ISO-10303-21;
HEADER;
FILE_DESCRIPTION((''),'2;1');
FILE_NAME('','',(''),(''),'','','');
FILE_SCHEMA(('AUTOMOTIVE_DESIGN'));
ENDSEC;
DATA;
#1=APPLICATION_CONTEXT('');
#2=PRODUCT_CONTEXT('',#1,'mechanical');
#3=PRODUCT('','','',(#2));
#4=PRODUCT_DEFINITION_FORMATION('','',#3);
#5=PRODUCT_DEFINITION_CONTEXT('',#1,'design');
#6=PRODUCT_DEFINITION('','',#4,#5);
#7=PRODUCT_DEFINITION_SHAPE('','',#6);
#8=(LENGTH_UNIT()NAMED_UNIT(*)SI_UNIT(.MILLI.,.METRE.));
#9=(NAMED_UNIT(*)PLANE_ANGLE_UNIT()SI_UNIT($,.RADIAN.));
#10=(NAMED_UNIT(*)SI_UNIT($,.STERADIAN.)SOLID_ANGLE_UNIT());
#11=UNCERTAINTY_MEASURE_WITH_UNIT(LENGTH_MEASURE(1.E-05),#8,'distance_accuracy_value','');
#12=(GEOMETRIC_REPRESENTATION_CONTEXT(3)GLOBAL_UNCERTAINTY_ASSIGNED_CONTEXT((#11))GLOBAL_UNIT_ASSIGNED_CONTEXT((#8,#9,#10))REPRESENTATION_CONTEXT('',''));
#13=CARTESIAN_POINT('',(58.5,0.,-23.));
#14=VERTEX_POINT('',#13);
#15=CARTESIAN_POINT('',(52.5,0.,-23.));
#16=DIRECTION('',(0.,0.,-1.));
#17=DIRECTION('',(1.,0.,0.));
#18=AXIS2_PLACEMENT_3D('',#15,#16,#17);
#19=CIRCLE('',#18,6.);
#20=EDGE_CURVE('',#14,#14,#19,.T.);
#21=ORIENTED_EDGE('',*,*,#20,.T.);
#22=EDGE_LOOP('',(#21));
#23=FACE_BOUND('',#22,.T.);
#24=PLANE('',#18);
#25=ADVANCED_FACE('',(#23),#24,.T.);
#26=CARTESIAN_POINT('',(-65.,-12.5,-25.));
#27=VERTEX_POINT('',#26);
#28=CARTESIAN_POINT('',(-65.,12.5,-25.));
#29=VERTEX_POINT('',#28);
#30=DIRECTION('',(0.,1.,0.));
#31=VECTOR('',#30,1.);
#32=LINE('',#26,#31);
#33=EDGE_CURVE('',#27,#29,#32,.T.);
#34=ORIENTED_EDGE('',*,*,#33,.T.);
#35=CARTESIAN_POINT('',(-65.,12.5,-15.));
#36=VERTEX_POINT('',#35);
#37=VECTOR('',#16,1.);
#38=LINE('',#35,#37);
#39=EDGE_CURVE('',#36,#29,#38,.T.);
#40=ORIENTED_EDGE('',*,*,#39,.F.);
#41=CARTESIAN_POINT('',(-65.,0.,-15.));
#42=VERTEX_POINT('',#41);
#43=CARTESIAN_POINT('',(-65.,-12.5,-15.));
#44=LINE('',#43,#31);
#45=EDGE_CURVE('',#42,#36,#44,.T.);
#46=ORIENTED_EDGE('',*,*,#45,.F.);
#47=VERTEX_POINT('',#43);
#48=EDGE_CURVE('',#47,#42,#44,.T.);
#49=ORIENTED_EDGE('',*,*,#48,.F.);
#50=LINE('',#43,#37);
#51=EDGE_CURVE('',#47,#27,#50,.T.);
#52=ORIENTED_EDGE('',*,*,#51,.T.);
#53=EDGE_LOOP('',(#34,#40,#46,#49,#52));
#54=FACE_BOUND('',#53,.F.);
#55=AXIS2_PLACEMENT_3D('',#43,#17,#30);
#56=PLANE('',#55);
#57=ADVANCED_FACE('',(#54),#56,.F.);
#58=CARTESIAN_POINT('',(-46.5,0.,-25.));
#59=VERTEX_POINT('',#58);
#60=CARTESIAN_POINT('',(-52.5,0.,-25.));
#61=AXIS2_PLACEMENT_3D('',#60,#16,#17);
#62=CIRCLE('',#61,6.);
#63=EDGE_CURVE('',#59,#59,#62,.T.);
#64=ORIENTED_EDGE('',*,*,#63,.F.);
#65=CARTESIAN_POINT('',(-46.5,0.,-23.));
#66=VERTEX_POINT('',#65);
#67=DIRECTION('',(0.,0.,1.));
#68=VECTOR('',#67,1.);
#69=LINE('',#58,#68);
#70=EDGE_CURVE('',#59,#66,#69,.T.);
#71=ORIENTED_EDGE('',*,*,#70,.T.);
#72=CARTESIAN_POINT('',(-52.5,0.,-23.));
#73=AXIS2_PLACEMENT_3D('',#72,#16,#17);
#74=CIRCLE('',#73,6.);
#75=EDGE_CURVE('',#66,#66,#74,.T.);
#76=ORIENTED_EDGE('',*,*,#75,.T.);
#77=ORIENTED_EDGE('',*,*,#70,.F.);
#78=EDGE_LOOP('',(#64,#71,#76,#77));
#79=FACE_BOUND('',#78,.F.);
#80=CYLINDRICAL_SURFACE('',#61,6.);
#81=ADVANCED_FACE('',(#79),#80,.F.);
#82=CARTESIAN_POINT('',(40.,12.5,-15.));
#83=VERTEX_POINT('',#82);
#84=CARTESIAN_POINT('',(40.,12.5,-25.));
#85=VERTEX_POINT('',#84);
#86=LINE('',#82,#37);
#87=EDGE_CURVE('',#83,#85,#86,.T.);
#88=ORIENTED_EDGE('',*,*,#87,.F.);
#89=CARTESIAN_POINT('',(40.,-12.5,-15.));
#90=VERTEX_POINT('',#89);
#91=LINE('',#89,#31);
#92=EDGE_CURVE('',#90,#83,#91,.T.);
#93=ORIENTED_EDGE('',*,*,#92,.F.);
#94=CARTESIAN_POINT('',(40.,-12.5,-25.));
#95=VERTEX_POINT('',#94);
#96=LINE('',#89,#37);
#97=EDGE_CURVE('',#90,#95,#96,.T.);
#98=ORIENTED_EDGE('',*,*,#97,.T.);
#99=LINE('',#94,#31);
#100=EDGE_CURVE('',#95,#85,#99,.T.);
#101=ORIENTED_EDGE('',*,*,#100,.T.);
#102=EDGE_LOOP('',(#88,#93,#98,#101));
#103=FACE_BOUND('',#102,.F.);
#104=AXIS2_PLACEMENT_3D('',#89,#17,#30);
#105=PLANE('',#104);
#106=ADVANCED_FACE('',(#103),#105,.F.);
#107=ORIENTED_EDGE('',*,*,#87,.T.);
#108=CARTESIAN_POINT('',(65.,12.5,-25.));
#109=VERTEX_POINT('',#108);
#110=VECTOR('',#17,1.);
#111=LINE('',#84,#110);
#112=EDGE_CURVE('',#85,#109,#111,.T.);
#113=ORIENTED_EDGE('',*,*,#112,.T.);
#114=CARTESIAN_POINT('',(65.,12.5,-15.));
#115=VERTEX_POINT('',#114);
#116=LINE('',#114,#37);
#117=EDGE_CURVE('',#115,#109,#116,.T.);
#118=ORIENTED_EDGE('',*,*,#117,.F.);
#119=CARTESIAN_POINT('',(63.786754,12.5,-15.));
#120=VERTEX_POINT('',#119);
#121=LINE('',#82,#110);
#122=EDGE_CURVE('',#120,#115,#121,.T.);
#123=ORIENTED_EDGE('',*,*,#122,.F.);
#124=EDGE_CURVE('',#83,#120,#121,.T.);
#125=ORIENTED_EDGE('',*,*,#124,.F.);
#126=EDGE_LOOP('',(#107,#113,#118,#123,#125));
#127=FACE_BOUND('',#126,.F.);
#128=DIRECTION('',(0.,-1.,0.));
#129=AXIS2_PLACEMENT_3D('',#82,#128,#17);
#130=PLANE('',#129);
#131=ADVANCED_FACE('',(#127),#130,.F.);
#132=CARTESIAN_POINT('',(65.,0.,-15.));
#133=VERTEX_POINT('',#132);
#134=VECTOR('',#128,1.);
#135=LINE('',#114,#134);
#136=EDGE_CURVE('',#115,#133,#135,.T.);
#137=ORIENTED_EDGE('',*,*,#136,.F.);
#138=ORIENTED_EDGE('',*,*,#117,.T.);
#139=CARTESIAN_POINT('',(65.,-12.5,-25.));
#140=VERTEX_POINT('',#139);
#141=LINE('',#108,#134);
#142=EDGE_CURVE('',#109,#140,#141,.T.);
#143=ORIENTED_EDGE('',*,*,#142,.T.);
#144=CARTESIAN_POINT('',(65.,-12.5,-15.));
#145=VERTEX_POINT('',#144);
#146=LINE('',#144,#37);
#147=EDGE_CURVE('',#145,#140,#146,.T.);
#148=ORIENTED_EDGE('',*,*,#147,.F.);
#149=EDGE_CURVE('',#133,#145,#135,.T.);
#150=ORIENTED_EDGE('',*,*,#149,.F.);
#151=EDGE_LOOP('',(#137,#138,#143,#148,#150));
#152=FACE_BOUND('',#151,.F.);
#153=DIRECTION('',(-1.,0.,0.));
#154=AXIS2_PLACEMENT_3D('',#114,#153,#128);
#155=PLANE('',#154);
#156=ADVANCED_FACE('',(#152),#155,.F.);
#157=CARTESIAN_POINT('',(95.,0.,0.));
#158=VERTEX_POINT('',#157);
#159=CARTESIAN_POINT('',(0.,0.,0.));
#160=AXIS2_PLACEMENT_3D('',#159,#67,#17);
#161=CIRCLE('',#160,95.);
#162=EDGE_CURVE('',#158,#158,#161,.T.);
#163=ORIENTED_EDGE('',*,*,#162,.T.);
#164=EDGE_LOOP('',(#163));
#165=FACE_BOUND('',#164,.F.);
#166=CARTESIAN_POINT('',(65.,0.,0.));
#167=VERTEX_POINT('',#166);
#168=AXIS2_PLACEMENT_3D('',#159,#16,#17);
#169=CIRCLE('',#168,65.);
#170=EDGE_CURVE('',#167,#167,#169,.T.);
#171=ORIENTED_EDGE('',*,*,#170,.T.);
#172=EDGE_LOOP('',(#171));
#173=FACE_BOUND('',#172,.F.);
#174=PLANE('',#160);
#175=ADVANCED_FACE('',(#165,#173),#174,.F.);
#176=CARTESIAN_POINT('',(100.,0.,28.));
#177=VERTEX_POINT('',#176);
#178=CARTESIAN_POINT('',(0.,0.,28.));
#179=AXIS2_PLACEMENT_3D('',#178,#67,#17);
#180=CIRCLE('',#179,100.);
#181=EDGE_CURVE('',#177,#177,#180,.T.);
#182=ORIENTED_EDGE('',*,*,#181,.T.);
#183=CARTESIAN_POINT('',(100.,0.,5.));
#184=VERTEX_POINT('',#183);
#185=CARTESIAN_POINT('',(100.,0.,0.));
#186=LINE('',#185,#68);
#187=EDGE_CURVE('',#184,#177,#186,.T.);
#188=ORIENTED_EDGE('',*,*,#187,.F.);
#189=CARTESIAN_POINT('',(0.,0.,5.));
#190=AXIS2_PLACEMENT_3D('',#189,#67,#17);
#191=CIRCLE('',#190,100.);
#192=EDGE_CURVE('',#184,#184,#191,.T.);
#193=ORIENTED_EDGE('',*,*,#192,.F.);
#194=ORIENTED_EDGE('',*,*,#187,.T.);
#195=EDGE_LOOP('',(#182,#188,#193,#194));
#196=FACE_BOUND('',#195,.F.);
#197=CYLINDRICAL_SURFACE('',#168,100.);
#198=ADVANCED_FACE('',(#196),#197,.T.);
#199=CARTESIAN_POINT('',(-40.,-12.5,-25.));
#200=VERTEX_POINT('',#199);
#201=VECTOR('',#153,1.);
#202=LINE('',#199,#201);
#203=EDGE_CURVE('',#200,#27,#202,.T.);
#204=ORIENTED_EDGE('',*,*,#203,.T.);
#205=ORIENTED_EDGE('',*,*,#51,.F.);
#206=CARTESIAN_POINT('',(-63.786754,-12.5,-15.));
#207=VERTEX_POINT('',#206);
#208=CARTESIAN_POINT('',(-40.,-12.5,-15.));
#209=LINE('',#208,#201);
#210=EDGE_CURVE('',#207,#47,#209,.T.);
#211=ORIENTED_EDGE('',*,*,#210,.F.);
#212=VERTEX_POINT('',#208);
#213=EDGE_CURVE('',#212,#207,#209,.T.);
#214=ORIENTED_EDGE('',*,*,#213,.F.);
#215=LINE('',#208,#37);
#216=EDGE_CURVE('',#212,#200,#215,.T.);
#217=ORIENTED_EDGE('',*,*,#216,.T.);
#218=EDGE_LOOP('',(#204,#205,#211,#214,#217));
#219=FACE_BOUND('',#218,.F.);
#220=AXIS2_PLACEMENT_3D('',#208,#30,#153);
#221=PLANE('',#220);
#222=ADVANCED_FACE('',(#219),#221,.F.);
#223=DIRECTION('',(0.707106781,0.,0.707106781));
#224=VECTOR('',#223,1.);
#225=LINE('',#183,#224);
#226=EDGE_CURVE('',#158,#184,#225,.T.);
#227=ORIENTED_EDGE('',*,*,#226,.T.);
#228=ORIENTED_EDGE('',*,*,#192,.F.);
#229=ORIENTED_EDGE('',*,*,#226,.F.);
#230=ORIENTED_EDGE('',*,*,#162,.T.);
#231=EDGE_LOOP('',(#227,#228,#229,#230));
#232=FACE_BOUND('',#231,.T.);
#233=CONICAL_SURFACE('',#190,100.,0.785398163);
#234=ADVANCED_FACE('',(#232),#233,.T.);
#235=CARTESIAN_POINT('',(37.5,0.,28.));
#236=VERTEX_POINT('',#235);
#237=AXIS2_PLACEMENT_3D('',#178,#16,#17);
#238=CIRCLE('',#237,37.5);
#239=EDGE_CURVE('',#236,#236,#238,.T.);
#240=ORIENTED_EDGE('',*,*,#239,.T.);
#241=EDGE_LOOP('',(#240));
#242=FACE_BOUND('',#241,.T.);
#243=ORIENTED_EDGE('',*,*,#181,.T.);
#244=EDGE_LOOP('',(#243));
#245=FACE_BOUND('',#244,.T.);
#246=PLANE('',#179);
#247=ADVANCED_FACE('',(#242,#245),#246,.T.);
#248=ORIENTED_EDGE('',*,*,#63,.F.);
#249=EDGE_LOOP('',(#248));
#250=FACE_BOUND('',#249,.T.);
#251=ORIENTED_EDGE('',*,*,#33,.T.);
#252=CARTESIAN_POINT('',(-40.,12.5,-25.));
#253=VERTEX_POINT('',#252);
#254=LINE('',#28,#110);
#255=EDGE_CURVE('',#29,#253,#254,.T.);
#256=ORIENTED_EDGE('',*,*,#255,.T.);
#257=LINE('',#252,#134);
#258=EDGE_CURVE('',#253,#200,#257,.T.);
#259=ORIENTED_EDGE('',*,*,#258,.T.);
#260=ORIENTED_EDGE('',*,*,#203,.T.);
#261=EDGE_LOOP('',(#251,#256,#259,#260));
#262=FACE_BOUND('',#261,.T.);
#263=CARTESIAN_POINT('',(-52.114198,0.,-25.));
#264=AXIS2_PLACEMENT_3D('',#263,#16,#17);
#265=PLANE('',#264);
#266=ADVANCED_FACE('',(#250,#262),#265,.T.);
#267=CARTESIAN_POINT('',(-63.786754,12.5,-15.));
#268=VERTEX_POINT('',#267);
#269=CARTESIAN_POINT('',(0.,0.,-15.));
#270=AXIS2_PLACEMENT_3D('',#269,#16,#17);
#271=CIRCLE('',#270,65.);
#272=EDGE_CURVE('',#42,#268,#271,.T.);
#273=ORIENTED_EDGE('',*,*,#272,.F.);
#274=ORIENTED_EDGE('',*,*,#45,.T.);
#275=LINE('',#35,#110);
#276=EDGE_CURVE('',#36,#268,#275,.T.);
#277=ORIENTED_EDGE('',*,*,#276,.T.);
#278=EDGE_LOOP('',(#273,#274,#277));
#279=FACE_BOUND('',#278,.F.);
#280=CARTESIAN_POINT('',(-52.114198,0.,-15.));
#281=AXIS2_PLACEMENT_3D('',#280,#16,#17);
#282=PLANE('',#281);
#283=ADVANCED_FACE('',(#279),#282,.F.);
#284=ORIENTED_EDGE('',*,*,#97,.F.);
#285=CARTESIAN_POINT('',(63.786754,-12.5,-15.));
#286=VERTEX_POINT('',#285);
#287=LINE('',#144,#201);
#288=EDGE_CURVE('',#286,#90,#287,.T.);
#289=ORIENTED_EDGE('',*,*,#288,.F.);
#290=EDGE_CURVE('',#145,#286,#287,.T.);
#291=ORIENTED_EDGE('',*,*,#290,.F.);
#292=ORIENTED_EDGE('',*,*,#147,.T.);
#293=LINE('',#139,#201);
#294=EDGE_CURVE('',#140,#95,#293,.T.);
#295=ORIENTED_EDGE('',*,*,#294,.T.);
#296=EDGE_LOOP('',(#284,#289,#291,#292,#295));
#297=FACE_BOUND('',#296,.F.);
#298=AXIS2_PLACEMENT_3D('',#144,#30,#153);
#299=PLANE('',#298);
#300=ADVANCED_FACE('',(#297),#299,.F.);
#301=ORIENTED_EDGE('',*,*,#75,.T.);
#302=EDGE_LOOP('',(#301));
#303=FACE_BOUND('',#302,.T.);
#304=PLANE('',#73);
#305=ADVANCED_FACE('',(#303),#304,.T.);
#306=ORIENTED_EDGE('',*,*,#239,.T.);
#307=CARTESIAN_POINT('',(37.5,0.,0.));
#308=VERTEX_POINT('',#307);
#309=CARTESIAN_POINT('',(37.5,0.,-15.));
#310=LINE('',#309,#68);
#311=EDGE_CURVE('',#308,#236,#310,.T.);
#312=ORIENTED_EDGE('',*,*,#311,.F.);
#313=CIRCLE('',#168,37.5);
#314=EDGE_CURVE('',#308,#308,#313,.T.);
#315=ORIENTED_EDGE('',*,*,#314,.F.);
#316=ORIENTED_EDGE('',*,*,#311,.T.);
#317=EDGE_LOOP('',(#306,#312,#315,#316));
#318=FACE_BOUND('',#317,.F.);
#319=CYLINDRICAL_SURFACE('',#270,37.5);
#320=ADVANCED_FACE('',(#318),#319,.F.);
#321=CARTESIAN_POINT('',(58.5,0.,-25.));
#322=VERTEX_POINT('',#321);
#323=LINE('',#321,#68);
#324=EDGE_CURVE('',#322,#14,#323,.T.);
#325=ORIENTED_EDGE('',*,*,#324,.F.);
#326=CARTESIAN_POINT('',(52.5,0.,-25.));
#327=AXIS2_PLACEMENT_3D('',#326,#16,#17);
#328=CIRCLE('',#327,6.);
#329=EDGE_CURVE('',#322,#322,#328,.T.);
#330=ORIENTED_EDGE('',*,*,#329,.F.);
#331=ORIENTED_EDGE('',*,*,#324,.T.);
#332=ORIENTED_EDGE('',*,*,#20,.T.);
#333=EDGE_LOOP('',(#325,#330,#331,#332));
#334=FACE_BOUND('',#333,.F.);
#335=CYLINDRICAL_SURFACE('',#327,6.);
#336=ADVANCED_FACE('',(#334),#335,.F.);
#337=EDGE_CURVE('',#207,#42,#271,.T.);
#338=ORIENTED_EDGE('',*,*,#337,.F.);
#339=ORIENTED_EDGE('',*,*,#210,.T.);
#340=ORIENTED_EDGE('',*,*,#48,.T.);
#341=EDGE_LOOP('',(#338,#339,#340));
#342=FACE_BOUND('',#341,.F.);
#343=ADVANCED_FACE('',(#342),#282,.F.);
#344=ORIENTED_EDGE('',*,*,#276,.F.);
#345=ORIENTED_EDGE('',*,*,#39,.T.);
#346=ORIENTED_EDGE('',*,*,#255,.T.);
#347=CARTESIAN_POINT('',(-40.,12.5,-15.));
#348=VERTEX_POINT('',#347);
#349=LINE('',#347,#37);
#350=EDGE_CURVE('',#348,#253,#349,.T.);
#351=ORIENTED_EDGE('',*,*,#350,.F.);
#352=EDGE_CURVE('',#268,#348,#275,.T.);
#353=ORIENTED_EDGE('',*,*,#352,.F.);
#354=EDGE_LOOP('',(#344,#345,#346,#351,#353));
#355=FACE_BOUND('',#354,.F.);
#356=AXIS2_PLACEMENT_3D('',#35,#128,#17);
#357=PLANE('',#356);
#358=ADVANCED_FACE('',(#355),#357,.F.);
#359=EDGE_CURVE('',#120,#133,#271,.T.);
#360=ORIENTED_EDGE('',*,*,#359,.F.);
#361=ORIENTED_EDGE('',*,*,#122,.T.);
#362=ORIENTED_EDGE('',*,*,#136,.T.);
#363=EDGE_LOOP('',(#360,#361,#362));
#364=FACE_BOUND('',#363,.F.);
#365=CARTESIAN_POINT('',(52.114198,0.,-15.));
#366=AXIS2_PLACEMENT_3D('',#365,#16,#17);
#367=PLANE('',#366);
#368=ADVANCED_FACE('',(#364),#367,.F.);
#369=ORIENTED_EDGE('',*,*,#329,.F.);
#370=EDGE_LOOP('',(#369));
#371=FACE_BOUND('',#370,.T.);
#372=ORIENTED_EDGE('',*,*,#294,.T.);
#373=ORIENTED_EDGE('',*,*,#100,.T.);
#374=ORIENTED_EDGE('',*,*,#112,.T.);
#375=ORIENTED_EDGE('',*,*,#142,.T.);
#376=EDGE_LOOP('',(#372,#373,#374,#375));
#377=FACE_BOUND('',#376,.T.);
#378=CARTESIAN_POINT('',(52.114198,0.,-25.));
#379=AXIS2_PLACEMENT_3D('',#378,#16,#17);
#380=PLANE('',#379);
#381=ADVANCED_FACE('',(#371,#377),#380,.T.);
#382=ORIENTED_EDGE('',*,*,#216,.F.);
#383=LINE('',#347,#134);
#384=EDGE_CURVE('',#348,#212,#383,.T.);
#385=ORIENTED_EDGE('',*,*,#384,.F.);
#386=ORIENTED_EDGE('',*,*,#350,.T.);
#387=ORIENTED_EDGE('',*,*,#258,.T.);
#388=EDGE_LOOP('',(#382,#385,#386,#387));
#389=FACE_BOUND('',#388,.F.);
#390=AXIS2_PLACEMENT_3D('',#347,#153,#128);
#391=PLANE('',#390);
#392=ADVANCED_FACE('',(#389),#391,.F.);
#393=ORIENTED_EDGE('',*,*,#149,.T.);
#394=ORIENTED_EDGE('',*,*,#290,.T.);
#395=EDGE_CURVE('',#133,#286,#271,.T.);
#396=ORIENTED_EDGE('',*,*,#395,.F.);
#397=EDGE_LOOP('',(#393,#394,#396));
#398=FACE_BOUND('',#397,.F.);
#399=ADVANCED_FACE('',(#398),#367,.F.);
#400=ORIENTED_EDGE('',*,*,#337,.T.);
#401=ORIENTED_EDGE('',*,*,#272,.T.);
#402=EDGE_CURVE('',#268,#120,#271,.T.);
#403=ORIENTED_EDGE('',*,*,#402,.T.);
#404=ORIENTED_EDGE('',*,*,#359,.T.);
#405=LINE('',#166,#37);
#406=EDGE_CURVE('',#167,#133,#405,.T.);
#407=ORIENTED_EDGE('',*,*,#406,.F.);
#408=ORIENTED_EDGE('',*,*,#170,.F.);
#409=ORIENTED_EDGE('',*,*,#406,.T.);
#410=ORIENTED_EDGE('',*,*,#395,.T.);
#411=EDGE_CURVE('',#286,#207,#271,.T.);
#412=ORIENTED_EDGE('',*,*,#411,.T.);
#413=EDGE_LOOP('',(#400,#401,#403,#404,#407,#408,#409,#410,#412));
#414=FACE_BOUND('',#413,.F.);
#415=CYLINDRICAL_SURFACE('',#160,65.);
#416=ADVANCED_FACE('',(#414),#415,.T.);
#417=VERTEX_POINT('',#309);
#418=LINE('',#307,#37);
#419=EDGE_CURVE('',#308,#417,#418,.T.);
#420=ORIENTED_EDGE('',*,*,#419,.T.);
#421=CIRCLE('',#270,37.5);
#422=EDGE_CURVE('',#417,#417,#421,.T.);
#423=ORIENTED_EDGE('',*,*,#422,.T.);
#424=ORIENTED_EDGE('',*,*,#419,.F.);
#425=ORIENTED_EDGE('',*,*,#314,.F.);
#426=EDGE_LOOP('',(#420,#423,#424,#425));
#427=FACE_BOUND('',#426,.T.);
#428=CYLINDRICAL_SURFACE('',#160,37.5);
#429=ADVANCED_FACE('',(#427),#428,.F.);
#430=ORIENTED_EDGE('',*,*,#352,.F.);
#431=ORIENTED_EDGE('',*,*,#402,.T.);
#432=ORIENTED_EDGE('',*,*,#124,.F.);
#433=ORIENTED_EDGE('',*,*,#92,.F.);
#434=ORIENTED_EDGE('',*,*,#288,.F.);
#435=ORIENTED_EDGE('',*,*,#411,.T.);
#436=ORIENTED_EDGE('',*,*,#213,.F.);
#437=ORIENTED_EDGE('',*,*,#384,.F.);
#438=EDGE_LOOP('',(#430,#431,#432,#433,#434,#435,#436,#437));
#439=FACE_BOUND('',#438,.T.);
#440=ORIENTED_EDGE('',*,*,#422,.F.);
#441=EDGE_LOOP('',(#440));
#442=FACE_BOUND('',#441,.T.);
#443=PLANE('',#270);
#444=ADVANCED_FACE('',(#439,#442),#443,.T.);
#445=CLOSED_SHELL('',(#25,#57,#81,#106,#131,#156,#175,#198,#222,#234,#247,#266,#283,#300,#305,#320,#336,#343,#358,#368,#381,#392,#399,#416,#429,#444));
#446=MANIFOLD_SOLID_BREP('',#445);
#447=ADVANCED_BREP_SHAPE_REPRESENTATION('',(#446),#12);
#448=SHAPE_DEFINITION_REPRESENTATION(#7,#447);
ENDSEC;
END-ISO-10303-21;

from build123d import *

# Parameters (mm, degrees)
F0_R      = 100
F1_DEPTH  = 28
F2_R      = 65
F2_R_2    = 37.5
F3_DEPTH  = 15
F5_DEPTH  = 10
F6_R      = 6
F7_DEPTH  = 2
F3_FACE_R = 37.5
F8_DEPTH  = 50
F9_SIZE   = 5


with BuildPart() as f1:
    # F0 (on Top) → F1 (new body)
    with BuildSketch(Plane.XY):
        Circle(F0_R)
    extrude(amount=F1_DEPTH)

    # F2 (on face) → F3 (join)
    with BuildSketch(Plane(origin=(0, 0, 0), x_dir=(1, 0, 0), z_dir=(0, 0, -1))):
        Circle(F2_R)
        Circle(F2_R_2, mode=Mode.SUBTRACT)
    extrude(amount=F3_DEPTH)

    # F4 (on face) → F5 (join)
    with BuildSketch(Plane(origin=(0, 0, -15), x_dir=(1, 0, 0), z_dir=(0, 0, -1))):
        with BuildLine():
            ThreePointArc((-65, 0), (-64.695978, -6.27937), (-63.786754, -12.5))
            Line((-63.786754, -12.5), (-40, -12.5))
            Line((-40, -12.5), (-40, 12.5))
            Line((-40, 12.5), (-63.786754, 12.5))
            ThreePointArc((-63.786754, 12.5), (-64.695978, 6.27937), (-65, 0))
        make_face()
        with BuildLine():
            Line((40, -12.5), (63.786754, -12.5))
            ThreePointArc((63.786754, -12.5), (64.695978, -6.27937), (65, 0))
            ThreePointArc((65, 0), (64.695978, 6.27937), (63.786754, 12.5))
            Line((63.786754, 12.5), (40, 12.5))
            Line((40, 12.5), (40, -12.5))
        make_face()
        with BuildLine():
            ThreePointArc((63.786754, 12.5), (64.695978, 6.27937), (65, 0))
            Line((65, 0), (65, 12.5))
            Line((65, 12.5), (63.786754, 12.5))
        make_face()
        with BuildLine():
            Line((63.786754, -12.5), (65, -12.5))
            Line((65, -12.5), (65, 0))
            ThreePointArc((65, 0), (64.695978, -6.27937), (63.786754, -12.5))
        make_face()
        with BuildLine():
            Line((-65, 12.5), (-65, 0))
            ThreePointArc((-65, 0), (-64.695978, 6.27937), (-63.786754, 12.5))
            Line((-63.786754, 12.5), (-65, 12.5))
        make_face()
        with BuildLine():
            Line((-65, -12.5), (-63.786754, -12.5))
            ThreePointArc((-63.786754, -12.5), (-64.695978, -6.27937), (-65, 0))
            Line((-65, 0), (-65, -12.5))
        make_face()
    extrude(amount=F5_DEPTH)

    # F6 (on face) → F7 (cut)
    with BuildSketch(Plane(origin=(0, 0, -25), x_dir=(1, 0, 0), z_dir=(0, 0, -1))):
        with Locations((52.5, 0)):
            Circle(F6_R)
        with Locations((-52.5, 0)):
            Circle(F6_R)
    extrude(amount=-F7_DEPTH, mode=Mode.SUBTRACT)

    # F3_face (on face) → F8 (cut)
    with BuildSketch(Plane(origin=(0, 0, -15), x_dir=(1, 0, 0), z_dir=(0, 0, -1))):
        Circle(F3_FACE_R)
    extrude(amount=-F8_DEPTH, mode=Mode.SUBTRACT)

    # F9
    f9_edges = [f1.edges().sort_by_distance(p)[0] for p in [
        (-100, 0, 0),
    ]]
    chamfer(f9_edges, length=F9_SIZE)


solid = f1.part
